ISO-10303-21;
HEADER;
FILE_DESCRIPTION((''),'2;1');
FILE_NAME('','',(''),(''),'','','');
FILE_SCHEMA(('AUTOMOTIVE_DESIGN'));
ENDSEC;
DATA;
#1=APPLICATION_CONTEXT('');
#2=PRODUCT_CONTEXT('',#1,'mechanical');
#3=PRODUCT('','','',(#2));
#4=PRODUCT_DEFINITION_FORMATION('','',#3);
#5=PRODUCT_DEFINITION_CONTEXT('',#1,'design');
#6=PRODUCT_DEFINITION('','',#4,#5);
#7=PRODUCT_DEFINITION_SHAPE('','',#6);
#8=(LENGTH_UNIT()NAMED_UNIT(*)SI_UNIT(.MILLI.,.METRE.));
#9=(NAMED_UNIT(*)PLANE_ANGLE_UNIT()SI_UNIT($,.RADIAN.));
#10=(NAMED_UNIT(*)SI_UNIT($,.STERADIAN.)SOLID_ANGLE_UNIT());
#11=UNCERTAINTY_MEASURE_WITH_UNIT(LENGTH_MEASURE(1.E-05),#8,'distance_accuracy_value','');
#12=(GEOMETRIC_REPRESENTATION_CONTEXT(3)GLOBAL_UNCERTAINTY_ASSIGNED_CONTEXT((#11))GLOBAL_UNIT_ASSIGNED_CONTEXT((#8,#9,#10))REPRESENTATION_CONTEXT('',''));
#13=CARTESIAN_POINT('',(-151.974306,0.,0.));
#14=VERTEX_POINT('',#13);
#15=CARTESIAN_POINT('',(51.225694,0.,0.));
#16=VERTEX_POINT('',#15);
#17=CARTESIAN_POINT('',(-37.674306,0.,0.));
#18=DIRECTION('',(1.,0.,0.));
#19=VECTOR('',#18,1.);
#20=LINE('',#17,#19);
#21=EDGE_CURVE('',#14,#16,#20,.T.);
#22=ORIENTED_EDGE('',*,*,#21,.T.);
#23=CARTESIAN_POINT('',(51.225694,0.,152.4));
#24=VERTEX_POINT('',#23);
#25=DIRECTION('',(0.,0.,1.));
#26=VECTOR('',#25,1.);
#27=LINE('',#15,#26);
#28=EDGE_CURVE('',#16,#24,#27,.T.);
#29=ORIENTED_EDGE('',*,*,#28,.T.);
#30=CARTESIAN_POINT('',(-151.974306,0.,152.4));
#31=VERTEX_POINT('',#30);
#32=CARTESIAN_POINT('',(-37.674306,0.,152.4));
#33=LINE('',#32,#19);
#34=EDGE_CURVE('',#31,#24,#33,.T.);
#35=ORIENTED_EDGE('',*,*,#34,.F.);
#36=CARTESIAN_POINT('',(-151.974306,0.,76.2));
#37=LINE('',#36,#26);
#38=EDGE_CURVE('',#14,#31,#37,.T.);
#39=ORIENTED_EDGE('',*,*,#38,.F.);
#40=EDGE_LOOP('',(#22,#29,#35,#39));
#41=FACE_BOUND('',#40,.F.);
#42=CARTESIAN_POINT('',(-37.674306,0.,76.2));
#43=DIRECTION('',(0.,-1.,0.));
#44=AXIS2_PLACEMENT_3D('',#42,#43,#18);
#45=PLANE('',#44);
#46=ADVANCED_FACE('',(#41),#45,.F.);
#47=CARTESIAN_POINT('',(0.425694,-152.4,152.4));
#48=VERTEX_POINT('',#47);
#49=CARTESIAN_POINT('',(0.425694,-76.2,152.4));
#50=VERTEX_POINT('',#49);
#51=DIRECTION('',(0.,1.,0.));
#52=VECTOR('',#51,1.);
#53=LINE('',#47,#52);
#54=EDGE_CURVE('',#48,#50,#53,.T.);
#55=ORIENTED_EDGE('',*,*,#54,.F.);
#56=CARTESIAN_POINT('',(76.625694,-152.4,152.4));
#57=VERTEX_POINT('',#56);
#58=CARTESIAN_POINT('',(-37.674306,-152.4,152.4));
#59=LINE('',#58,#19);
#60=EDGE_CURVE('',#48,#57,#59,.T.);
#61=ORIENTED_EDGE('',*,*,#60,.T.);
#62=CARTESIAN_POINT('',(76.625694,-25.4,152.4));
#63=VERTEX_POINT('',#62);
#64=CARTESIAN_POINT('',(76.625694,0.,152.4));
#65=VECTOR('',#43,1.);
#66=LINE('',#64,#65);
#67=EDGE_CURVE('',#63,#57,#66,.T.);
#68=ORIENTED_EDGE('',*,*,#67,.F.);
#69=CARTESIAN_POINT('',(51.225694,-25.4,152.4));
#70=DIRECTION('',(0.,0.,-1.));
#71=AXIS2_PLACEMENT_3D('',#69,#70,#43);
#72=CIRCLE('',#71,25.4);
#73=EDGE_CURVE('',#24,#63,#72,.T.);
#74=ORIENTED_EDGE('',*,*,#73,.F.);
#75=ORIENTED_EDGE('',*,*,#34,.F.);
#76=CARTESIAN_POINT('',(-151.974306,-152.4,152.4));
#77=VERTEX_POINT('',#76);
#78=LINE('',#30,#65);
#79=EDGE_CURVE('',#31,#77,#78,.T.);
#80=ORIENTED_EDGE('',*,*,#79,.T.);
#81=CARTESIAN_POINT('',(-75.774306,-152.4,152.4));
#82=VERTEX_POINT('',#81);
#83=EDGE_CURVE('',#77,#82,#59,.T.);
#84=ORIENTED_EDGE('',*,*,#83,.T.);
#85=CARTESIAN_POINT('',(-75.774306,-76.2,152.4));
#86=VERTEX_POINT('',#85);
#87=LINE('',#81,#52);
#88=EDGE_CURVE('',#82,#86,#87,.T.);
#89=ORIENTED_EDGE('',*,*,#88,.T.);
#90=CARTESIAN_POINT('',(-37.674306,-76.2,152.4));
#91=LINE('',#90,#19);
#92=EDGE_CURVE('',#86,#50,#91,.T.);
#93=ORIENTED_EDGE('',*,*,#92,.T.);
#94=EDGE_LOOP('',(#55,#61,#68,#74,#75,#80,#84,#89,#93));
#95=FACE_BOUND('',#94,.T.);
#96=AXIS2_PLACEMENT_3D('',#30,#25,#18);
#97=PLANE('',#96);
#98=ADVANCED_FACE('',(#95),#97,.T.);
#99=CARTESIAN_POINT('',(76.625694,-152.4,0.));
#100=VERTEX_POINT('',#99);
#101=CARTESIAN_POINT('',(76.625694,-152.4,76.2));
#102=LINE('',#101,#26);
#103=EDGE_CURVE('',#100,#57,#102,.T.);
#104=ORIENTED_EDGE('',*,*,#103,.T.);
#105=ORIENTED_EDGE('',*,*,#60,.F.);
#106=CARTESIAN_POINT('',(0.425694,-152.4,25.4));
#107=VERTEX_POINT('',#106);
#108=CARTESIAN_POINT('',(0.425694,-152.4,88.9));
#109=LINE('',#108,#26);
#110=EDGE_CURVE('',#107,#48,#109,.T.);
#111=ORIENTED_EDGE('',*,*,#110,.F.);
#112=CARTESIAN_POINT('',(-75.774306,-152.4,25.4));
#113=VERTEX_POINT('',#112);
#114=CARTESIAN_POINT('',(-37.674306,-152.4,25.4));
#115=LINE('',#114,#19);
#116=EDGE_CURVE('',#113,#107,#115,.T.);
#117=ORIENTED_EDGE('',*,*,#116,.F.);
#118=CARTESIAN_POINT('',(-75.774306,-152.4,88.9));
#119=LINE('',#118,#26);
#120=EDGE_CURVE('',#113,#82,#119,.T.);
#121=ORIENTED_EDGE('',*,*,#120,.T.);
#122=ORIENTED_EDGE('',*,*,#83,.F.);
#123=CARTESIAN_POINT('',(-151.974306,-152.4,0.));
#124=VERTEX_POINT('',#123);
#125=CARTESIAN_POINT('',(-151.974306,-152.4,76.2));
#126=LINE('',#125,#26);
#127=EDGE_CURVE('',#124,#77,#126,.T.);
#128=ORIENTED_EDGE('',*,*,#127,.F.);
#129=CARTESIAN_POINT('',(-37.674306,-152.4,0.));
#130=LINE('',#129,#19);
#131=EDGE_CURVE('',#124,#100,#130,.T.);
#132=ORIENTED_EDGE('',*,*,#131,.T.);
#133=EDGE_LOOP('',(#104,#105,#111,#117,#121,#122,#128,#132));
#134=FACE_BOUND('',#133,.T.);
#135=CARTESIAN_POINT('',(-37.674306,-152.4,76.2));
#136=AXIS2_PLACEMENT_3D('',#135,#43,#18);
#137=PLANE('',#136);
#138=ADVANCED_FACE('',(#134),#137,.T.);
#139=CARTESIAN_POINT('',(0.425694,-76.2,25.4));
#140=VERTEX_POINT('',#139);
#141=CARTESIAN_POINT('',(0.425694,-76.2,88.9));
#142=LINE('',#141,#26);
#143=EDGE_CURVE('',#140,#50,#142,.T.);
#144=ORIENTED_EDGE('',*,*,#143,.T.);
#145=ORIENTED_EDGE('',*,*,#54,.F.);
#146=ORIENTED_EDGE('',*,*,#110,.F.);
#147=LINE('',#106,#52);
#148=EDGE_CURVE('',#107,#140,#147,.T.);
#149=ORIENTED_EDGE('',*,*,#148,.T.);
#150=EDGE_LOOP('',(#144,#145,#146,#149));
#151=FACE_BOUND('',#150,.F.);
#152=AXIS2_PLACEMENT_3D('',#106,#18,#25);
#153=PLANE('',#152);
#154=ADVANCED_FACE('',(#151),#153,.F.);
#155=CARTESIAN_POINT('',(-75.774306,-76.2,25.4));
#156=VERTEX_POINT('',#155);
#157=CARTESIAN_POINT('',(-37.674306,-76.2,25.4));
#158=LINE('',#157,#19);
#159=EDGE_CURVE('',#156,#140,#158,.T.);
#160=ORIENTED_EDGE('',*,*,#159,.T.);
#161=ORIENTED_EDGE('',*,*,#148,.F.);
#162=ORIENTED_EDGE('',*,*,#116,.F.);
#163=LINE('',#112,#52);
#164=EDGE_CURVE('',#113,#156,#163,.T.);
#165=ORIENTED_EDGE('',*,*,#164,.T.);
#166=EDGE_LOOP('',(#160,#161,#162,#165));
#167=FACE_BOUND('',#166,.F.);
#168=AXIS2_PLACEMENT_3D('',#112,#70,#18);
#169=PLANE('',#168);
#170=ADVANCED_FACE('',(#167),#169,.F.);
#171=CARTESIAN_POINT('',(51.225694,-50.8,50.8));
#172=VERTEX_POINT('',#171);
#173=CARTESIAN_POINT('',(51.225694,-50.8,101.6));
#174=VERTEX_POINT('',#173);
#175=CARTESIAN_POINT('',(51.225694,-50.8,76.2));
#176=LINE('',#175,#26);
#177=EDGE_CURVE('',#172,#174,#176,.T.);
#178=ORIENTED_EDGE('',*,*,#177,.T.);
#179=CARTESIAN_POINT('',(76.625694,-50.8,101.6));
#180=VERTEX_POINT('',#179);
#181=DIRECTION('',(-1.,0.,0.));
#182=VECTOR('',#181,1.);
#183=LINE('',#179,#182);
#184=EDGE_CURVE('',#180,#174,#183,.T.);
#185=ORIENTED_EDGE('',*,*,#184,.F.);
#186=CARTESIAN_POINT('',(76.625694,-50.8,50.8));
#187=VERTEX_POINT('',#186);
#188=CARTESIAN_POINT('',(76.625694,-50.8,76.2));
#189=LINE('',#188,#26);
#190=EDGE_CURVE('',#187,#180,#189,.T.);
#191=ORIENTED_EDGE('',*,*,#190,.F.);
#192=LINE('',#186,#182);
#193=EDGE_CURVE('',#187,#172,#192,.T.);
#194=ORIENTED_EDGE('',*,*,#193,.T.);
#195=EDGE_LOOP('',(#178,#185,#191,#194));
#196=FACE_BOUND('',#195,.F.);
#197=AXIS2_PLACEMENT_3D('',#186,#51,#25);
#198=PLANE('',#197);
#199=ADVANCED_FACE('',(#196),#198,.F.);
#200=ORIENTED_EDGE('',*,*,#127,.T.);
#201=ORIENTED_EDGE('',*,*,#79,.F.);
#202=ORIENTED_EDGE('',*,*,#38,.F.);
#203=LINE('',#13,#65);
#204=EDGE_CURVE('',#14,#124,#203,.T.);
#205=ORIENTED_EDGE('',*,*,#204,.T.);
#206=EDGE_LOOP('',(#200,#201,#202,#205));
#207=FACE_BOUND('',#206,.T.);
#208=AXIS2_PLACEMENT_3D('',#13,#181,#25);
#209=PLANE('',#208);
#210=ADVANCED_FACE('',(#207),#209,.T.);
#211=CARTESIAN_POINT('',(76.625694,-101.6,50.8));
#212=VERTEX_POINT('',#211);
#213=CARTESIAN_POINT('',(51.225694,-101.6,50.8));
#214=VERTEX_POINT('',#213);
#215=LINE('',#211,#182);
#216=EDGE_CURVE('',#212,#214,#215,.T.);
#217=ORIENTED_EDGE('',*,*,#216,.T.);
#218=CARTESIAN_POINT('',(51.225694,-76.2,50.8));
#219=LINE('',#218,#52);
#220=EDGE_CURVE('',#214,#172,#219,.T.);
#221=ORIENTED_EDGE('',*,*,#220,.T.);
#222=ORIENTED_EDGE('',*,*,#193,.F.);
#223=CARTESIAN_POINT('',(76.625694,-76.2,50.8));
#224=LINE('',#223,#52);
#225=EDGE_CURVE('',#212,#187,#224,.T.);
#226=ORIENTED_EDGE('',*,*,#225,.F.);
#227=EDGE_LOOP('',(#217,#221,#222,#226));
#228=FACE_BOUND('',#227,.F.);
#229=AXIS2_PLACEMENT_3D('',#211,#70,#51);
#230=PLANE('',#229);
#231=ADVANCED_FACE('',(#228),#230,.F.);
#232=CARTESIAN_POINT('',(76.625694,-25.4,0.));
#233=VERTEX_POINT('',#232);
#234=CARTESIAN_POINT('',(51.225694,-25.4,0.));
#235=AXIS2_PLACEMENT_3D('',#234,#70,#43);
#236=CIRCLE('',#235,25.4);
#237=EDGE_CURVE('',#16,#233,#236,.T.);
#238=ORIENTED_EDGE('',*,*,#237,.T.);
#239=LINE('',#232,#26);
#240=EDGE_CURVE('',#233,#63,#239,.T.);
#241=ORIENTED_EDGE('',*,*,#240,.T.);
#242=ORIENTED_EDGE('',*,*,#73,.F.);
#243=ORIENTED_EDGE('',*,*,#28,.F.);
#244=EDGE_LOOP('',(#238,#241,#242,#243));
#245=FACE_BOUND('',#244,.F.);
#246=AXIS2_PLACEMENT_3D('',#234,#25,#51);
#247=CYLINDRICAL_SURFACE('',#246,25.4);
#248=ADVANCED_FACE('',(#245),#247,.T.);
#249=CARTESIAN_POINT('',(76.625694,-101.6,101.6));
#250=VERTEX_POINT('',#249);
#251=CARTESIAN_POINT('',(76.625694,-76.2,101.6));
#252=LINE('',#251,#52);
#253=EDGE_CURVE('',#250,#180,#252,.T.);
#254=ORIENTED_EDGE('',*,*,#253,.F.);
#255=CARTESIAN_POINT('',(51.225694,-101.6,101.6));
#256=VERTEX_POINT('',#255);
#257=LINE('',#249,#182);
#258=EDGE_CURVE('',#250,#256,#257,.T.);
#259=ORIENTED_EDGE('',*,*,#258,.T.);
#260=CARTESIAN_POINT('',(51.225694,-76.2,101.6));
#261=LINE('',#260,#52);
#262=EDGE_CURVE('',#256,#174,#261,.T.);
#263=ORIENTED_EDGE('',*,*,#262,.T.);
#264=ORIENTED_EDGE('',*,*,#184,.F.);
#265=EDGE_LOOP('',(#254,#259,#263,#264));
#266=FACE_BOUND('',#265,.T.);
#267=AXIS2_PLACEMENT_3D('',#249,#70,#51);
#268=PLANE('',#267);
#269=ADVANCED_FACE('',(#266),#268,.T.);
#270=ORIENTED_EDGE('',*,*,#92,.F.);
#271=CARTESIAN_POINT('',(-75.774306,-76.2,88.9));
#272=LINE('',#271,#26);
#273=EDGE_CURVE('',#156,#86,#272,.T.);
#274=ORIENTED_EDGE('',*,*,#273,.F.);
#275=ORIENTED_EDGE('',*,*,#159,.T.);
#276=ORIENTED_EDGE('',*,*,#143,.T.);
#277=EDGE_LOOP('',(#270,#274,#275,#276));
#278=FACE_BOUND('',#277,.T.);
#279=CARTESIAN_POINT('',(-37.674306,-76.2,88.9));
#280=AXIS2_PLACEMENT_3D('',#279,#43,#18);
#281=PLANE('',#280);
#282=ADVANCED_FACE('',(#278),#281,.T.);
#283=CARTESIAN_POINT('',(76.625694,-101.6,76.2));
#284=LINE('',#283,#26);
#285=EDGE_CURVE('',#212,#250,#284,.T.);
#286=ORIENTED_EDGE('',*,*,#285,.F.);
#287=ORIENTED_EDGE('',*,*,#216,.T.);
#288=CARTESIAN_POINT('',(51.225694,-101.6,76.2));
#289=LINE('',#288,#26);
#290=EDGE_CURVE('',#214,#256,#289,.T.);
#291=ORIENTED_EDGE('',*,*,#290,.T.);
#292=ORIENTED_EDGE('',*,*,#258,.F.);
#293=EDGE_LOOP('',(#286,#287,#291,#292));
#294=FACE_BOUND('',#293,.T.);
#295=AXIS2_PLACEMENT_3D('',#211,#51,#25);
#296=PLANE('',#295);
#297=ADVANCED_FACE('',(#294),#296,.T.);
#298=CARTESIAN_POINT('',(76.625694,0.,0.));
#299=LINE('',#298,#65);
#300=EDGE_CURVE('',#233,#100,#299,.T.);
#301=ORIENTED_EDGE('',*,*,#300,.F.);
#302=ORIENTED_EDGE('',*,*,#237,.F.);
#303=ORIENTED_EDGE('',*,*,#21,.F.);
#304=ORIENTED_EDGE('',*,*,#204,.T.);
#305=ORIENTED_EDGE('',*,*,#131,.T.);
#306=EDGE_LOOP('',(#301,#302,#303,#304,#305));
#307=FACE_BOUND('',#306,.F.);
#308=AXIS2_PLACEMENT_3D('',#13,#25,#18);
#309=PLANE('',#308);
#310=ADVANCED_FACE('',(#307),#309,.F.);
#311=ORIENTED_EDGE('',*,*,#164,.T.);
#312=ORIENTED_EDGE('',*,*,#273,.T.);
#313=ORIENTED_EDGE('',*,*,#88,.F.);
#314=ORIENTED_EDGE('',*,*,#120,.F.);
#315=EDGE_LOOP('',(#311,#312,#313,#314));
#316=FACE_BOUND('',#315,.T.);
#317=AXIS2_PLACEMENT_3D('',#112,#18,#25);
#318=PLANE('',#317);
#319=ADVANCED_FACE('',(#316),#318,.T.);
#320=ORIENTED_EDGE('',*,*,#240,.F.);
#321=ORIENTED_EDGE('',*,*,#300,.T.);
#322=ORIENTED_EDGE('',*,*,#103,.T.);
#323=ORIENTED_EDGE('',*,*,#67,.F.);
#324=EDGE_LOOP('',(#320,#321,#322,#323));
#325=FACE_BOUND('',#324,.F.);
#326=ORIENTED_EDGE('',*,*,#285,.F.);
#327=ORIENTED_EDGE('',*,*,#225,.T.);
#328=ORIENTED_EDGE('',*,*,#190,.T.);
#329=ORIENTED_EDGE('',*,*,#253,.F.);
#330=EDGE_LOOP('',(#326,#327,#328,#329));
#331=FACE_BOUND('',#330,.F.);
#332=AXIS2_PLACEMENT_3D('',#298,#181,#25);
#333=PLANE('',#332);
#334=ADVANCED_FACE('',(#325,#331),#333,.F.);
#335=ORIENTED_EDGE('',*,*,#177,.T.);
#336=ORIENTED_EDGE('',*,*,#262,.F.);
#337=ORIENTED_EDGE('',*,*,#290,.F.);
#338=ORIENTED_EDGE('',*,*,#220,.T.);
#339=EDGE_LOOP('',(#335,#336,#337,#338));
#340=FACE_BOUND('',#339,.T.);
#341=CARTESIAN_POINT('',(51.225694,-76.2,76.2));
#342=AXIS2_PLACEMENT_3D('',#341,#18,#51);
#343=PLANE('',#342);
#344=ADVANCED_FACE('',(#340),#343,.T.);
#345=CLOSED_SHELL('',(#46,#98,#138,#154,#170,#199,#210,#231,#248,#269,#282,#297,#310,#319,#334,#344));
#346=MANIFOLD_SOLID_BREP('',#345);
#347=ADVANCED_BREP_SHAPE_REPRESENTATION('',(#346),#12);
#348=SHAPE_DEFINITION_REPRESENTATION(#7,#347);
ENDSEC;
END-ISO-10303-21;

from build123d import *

# Parameters (mm, degrees)
F0_W     = 228.6
F0_H     = 152.4
F1_DEPTH = 152.4
F2_W     = 76.2
F2_H     = 127
F3_DEPTH = 76.2
F4_W     = 50.8
F4_H     = 50.8
F5_DEPTH = 25.4
F6_R     = 25.4


with BuildPart() as f1:
    # F0 (on Front) → F1 (new body)
    with BuildSketch(Plane.XZ):
        with Locations((-37.674306, 76.2)):
            Rectangle(F0_W, F0_H)
    extrude(amount=F1_DEPTH)

    # F2 (on face) → F3 (cut)
    with BuildSketch(Plane.XZ.offset(152.4)):
        with Locations((-37.674306, 88.9)):
            Rectangle(F2_W, F2_H)
    extrude(amount=-F3_DEPTH, mode=Mode.SUBTRACT)

    # F4 (on face) → F5 (cut)
    with BuildSketch(Plane.YZ.offset(76.625694)):
        with Locations((-76.2, 76.2)):
            Rectangle(F4_W, F4_H)
    extrude(amount=-F5_DEPTH, mode=Mode.SUBTRACT)

    # F6
    f6_edges = [f1.edges().sort_by_distance(p)[0] for p in [
        (76.625694, 0, 76.2),
    ]]
    fillet(f6_edges, radius=F6_R)


solid = f1.part
